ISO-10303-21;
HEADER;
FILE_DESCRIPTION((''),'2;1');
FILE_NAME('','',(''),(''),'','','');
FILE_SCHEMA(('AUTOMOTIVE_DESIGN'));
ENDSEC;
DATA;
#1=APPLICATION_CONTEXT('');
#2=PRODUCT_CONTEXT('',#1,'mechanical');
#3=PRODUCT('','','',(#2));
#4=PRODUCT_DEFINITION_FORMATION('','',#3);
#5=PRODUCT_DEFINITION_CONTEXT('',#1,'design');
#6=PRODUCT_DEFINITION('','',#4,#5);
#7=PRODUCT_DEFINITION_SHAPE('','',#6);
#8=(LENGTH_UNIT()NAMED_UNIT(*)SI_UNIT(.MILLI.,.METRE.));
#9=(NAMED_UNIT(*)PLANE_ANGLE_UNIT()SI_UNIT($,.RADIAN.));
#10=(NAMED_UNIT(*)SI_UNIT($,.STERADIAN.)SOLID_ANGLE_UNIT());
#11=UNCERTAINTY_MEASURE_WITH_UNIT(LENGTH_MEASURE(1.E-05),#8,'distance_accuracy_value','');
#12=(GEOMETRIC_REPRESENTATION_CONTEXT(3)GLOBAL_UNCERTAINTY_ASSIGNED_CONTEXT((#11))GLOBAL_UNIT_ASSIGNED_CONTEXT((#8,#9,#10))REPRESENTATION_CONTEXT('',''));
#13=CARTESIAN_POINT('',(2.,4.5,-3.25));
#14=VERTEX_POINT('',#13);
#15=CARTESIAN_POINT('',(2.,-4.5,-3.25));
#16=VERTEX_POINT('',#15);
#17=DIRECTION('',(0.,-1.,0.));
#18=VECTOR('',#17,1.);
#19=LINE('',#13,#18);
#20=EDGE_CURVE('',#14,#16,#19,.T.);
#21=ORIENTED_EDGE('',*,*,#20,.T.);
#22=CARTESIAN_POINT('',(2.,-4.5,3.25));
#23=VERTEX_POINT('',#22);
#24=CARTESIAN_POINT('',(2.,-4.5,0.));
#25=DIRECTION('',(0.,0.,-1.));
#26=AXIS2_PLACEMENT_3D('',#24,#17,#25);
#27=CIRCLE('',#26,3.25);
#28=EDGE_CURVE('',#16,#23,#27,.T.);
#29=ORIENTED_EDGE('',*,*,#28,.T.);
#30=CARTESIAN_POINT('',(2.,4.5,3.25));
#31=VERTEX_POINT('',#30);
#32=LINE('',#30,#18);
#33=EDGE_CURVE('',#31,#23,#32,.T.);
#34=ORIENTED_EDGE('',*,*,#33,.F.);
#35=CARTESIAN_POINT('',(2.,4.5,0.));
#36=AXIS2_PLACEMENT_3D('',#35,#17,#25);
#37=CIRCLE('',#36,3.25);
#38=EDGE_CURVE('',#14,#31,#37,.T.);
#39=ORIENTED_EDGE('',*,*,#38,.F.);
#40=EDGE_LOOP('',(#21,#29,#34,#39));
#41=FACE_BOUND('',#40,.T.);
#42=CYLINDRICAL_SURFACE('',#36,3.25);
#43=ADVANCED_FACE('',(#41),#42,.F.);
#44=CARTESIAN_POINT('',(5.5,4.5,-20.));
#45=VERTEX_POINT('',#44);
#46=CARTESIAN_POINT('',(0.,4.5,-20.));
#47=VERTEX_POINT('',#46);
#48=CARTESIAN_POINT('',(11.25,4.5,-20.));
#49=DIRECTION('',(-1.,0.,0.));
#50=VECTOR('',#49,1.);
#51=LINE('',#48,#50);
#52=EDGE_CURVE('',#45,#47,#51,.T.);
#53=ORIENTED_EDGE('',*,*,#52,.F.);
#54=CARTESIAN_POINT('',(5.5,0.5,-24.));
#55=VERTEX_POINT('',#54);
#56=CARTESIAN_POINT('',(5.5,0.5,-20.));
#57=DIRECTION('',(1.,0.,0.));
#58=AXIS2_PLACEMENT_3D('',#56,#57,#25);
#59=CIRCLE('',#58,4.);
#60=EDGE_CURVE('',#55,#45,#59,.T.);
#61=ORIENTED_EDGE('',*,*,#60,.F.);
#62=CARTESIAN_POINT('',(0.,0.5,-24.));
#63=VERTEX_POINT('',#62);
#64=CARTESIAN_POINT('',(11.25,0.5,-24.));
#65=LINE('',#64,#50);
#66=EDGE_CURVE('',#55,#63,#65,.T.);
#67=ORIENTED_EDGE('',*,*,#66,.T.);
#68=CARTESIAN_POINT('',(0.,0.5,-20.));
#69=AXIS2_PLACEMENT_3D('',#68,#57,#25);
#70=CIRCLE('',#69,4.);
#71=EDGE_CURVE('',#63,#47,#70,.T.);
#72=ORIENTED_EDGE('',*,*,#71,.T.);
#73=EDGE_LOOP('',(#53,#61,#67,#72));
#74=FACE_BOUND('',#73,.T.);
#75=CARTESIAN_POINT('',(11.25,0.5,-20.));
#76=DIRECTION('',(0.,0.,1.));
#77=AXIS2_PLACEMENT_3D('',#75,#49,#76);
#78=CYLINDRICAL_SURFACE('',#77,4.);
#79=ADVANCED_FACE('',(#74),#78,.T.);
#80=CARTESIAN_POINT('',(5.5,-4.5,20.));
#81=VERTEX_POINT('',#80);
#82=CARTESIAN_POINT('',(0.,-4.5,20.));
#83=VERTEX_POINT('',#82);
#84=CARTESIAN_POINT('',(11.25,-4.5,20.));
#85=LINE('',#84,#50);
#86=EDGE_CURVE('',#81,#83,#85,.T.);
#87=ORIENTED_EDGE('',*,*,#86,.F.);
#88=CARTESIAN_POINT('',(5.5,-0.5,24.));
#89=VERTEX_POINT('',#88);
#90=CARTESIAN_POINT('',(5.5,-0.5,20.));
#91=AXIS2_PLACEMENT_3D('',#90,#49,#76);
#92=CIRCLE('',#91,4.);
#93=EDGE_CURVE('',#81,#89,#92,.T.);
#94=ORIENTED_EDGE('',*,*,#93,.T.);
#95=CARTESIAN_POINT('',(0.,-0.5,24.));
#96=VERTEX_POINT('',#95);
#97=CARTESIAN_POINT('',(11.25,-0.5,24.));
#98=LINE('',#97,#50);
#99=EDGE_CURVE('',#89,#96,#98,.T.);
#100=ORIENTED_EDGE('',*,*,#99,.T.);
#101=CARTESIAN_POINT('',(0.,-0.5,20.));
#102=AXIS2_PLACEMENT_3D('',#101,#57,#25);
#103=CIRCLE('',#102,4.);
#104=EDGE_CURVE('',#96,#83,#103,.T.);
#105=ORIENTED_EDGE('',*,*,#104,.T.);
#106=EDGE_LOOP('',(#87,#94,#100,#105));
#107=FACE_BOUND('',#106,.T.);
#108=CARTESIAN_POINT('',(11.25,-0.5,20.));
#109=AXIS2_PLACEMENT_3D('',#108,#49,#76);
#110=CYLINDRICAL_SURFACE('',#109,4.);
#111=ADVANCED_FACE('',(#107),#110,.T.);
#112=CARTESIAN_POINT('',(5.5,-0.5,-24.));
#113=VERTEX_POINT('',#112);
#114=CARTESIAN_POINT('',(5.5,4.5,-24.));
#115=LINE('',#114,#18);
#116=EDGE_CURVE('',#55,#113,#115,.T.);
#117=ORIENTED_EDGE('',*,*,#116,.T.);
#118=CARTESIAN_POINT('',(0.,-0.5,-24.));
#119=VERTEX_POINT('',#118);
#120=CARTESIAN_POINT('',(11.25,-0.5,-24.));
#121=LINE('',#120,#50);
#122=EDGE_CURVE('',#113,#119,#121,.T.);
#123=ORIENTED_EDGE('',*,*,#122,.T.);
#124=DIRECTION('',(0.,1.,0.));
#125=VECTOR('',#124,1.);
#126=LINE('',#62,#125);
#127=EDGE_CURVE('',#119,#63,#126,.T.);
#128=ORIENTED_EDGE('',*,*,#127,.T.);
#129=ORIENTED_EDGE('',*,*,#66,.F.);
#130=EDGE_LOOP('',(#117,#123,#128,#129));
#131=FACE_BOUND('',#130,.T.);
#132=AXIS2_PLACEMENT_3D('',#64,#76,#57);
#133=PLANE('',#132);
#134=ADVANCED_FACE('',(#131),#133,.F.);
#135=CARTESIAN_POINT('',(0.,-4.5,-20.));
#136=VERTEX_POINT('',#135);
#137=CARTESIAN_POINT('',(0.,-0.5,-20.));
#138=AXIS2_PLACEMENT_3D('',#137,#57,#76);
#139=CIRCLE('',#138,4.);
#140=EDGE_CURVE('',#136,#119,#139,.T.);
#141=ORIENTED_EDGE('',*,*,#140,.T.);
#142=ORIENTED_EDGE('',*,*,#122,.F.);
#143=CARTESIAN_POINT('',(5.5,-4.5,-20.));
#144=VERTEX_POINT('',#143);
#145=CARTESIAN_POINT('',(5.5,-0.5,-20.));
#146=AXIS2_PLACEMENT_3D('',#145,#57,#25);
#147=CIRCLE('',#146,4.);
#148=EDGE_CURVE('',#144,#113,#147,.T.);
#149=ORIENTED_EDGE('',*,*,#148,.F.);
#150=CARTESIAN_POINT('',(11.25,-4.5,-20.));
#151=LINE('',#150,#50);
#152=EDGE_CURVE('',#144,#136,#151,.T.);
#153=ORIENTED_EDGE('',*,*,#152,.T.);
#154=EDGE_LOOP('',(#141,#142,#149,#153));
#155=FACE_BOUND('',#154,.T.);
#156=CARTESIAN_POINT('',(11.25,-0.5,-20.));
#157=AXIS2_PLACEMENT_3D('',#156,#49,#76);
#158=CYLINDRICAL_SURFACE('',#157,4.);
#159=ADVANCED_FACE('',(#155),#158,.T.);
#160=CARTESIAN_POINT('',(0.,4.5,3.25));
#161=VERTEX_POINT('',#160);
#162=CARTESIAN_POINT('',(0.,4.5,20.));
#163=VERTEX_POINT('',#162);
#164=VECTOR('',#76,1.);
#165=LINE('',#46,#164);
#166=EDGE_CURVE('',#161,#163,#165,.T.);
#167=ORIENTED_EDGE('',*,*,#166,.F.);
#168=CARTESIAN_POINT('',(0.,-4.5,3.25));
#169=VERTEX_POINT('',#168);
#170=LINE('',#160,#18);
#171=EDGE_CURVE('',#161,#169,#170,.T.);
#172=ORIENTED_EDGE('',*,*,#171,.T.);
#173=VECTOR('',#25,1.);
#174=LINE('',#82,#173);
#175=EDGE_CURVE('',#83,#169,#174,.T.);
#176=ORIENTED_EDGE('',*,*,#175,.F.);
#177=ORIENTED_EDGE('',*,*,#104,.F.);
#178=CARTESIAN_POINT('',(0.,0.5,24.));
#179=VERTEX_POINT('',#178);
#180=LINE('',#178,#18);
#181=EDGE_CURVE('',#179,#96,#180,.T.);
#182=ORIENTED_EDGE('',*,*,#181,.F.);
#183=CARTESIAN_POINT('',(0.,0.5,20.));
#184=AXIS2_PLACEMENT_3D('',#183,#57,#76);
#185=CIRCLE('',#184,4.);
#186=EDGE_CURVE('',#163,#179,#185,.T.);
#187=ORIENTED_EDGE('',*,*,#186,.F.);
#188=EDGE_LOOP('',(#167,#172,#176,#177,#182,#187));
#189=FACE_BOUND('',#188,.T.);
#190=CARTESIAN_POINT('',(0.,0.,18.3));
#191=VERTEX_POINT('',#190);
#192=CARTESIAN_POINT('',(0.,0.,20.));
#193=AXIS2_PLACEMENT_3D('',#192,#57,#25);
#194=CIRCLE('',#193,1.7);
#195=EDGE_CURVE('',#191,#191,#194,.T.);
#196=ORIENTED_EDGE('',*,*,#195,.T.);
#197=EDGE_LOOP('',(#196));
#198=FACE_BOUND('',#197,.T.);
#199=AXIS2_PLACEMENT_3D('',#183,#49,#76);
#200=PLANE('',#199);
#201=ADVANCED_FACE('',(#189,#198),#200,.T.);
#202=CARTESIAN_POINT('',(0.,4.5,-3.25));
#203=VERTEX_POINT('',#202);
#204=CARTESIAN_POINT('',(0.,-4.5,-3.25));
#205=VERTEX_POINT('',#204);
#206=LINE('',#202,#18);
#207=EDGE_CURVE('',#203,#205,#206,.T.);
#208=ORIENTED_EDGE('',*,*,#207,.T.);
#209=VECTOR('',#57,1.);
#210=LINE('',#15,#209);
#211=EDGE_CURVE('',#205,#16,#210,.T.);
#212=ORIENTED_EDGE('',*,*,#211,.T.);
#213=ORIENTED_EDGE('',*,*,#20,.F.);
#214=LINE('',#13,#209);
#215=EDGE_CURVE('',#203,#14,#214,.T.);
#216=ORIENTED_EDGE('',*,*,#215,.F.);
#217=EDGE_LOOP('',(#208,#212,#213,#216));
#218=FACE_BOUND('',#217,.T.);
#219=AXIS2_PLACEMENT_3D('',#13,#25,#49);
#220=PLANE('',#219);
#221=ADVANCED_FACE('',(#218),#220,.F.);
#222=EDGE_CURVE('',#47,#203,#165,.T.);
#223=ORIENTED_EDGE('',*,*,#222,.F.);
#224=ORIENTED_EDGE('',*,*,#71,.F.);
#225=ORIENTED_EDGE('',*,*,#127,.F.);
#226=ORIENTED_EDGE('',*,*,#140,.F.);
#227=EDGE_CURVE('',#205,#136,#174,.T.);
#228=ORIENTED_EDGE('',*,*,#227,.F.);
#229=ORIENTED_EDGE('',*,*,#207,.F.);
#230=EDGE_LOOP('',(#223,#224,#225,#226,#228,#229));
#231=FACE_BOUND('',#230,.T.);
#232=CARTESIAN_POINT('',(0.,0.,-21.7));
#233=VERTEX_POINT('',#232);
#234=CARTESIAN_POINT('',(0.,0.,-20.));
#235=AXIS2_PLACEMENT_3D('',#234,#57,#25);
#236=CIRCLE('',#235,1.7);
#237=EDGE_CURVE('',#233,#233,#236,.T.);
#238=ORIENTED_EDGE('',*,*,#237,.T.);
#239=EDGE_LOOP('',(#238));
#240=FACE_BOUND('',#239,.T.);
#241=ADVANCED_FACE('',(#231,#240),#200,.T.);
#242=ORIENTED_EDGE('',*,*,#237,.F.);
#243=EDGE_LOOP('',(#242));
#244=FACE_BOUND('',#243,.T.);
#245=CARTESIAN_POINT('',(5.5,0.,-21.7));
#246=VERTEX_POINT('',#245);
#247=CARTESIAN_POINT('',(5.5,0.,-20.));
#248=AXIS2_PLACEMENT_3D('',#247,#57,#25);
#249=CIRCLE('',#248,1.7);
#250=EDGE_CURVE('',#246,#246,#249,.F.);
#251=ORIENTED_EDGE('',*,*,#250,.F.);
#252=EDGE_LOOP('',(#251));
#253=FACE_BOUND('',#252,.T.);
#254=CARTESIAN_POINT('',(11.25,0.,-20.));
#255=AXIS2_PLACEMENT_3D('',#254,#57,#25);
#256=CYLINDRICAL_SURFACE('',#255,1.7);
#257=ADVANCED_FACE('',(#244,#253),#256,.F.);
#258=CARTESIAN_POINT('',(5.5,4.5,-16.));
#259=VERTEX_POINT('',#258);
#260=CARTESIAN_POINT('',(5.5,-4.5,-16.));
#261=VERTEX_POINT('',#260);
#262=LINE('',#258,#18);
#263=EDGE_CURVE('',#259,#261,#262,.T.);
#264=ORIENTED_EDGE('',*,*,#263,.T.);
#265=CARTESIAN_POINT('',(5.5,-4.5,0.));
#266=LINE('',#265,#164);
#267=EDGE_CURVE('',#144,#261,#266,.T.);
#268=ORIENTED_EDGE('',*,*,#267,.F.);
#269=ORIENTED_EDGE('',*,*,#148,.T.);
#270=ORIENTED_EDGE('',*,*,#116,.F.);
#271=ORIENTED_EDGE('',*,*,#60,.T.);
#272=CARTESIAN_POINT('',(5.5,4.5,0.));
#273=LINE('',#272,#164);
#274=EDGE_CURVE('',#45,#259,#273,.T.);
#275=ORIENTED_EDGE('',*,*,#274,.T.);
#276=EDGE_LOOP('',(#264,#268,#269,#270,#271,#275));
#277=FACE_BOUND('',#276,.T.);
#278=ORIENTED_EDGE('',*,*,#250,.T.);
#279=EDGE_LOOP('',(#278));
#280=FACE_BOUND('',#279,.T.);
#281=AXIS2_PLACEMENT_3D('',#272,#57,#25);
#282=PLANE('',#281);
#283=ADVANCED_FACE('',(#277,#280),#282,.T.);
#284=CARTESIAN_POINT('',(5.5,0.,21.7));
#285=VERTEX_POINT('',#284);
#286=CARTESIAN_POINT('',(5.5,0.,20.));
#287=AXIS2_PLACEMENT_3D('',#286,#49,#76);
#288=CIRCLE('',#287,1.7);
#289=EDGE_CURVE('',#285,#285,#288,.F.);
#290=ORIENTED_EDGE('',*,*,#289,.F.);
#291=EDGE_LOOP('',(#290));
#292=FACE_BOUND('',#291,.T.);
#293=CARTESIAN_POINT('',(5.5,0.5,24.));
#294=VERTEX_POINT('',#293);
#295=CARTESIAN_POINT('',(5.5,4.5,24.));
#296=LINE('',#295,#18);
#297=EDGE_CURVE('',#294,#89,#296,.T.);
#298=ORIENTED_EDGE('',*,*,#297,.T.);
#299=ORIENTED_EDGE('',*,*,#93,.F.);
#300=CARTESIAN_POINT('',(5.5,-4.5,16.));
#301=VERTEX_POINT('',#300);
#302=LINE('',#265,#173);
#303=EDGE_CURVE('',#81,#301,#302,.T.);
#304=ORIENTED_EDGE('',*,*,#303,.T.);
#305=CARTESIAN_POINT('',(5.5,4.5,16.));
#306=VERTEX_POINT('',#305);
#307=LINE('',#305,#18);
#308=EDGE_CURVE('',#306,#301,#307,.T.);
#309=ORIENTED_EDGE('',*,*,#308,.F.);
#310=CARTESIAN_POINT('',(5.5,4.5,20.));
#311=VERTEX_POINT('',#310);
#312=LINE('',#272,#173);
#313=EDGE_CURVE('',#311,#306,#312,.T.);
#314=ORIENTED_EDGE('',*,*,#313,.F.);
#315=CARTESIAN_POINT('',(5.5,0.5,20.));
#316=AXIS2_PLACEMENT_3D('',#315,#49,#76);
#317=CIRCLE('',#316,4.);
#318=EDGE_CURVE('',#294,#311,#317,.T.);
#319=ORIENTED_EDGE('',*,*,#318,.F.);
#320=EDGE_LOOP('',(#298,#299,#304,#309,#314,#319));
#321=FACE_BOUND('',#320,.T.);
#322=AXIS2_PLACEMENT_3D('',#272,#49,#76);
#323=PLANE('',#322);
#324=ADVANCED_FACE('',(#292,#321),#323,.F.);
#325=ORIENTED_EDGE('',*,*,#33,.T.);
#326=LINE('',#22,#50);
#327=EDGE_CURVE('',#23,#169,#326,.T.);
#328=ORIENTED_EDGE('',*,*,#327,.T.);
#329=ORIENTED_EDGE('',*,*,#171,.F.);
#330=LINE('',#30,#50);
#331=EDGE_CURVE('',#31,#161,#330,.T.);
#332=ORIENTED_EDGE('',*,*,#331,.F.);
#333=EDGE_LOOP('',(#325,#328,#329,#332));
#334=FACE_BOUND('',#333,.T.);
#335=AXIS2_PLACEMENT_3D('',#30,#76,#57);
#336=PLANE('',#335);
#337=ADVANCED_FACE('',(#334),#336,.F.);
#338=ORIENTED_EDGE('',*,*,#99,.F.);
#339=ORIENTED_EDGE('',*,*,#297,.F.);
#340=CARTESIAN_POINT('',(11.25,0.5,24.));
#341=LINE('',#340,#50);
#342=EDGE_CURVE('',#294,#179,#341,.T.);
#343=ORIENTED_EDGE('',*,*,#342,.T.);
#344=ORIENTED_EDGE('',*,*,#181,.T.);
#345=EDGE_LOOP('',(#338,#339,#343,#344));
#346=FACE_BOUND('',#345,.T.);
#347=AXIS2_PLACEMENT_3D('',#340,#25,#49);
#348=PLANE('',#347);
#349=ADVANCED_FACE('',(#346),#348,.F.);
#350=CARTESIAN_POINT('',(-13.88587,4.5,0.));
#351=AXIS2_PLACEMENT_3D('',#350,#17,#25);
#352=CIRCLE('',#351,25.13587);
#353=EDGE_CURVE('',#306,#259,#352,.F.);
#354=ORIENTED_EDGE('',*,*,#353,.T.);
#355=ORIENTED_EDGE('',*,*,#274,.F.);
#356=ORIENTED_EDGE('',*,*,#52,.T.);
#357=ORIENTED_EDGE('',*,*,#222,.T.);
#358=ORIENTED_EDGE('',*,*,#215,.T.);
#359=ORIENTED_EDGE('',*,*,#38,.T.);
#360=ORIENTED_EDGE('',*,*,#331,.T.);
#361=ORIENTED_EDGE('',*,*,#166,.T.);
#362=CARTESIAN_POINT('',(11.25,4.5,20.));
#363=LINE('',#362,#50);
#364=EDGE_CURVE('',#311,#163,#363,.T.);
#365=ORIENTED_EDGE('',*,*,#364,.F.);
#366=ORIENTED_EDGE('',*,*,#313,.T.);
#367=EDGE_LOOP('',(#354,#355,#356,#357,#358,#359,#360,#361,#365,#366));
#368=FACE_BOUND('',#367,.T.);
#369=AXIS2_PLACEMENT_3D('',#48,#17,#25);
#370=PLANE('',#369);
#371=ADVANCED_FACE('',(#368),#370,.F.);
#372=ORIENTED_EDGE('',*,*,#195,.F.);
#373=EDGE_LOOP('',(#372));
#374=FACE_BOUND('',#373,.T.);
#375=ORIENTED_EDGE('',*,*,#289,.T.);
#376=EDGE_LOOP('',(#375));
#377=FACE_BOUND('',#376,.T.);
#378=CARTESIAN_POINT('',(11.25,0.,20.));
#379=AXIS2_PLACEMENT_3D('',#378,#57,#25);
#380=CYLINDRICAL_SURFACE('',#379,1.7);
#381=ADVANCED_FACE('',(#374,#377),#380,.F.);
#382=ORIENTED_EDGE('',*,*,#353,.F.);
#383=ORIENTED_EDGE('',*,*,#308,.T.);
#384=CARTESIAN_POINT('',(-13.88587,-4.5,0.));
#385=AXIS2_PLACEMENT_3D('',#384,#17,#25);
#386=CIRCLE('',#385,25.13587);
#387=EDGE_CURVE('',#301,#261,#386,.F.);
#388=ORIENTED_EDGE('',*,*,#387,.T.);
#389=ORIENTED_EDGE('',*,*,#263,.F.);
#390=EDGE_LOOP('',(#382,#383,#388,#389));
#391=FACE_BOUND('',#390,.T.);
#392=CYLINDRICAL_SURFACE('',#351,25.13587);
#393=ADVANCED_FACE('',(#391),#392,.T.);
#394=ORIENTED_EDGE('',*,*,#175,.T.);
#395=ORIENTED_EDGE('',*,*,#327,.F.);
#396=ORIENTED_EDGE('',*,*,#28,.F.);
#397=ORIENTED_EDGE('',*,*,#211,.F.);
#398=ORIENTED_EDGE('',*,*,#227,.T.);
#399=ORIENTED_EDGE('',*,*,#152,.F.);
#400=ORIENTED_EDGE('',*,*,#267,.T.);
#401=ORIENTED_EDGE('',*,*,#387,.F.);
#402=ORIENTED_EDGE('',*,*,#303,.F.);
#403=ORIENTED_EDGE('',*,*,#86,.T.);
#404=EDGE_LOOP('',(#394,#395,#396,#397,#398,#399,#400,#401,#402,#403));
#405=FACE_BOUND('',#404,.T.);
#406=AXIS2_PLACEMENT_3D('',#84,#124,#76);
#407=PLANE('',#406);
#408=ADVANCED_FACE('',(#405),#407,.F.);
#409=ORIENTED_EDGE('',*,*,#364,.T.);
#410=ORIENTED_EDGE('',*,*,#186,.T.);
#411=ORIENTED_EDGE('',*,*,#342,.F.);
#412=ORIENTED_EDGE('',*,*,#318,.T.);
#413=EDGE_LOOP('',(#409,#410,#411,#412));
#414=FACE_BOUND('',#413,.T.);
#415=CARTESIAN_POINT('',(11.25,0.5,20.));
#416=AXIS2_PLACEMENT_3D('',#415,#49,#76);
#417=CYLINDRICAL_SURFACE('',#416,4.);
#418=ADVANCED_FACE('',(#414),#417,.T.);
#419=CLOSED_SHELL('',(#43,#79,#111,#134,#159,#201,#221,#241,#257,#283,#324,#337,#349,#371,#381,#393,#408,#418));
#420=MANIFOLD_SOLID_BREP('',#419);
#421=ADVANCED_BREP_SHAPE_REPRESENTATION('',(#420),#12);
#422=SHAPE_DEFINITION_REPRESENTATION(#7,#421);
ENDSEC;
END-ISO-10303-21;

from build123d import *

# Parameters (mm, degrees)
BOSS_EXTRUDE1_DEPTH  = 11.25
CUT_EXTRUDE1_DEPTH   = 10
M3_CLEARANCE_HOLE1_D = 3.4
SKETCH7_W            = 5.75
SKETCH7_H            = 4
CUT_EXTRUDE2_DEPTH   = 10


with BuildPart() as part:
    # Sketch1 → Boss-Extrude1 (new body)
    with BuildSketch(Plane(origin=(0, 0, 0), x_dir=(0, 0, -1), z_dir=(1, 0, 0))):
        with BuildLine():
            Line((-24, 0.5), (-24, -0.5))
            ThreePointArc((-24, -0.5), (-22.828427125, -3.328427125), (-20, -4.5))
            Line((-20, -4.5), (20, -4.5))
            ThreePointArc((20, -4.5), (22.828427125, -3.328427125), (24, -0.5))
            Line((24, -0.5), (24, 0.5))
            ThreePointArc((24, 0.5), (22.828427125, 3.328427125), (20, 4.5))
            Line((20, 4.5), (-20, 4.5))
            ThreePointArc((-20, 4.5), (-22.828427125, 3.328427125), (-24, 0.5))
        make_face()
    extrude(amount=BOSS_EXTRUDE1_DEPTH)

    # Sketch2 → Cut-Extrude1 (cut, through all)
    with BuildSketch(Plane(origin=(0, -4.5, 0), x_dir=(-1, 0, 0), z_dir=(0, -1, 0))):
        with BuildLine():
            Line((-2, -3.25), (0, -3.25))
            Line((0, -3.25), (0, 3.25))
            Line((0, 3.25), (-2, 3.25))
            ThreePointArc((-2, 3.25), (-5.25, 0), (-2, -3.25))
        make_face()
    extrude(amount=-CUT_EXTRUDE1_DEPTH, mode=Mode.SUBTRACT)

    # M3 Clearance Hole1 (through all)
    with Locations(Plane(origin=(11.25, 0, 0), x_dir=(0, 0, -1), z_dir=(1, 0, 0))):
        with Locations((-20, 0), (20, 0)):
            Hole(M3_CLEARANCE_HOLE1_D / 2)

    # Sketch7 → Cut-Extrude2 (cut, through all)
    with BuildSketch(Plane(origin=(0, -4.5, 0), x_dir=(-1, 0, 0), z_dir=(0, -1, 0))):
        with Locations((-8.375, -22)):
            Rectangle(SKETCH7_W, SKETCH7_H)
        with BuildLine():
            Line((-11.25, -20), (-5.5, -20))
            Line((-5.5, -20), (-5.5, -16))
            ThreePointArc((-5.5, -16), (-9.768861754, -8.500919068), (-11.25, 0))
            Line((-11.25, 0), (-11.25, -20))
        make_face()
        with BuildLine():
            Line((-11.25, 20), (-11.25, 0))
            ThreePointArc((-11.25, 0), (-9.768861754, 8.500919068), (-5.5, 16))
            Line((-5.5, 16), (-5.5, 20))
            Line((-5.5, 20), (-11.25, 20))
        make_face()
        with Locations((-8.375, 22)):
            Rectangle(SKETCH7_W, SKETCH7_H)
    extrude(amount=-CUT_EXTRUDE2_DEPTH, mode=Mode.SUBTRACT)


solid = part.part
